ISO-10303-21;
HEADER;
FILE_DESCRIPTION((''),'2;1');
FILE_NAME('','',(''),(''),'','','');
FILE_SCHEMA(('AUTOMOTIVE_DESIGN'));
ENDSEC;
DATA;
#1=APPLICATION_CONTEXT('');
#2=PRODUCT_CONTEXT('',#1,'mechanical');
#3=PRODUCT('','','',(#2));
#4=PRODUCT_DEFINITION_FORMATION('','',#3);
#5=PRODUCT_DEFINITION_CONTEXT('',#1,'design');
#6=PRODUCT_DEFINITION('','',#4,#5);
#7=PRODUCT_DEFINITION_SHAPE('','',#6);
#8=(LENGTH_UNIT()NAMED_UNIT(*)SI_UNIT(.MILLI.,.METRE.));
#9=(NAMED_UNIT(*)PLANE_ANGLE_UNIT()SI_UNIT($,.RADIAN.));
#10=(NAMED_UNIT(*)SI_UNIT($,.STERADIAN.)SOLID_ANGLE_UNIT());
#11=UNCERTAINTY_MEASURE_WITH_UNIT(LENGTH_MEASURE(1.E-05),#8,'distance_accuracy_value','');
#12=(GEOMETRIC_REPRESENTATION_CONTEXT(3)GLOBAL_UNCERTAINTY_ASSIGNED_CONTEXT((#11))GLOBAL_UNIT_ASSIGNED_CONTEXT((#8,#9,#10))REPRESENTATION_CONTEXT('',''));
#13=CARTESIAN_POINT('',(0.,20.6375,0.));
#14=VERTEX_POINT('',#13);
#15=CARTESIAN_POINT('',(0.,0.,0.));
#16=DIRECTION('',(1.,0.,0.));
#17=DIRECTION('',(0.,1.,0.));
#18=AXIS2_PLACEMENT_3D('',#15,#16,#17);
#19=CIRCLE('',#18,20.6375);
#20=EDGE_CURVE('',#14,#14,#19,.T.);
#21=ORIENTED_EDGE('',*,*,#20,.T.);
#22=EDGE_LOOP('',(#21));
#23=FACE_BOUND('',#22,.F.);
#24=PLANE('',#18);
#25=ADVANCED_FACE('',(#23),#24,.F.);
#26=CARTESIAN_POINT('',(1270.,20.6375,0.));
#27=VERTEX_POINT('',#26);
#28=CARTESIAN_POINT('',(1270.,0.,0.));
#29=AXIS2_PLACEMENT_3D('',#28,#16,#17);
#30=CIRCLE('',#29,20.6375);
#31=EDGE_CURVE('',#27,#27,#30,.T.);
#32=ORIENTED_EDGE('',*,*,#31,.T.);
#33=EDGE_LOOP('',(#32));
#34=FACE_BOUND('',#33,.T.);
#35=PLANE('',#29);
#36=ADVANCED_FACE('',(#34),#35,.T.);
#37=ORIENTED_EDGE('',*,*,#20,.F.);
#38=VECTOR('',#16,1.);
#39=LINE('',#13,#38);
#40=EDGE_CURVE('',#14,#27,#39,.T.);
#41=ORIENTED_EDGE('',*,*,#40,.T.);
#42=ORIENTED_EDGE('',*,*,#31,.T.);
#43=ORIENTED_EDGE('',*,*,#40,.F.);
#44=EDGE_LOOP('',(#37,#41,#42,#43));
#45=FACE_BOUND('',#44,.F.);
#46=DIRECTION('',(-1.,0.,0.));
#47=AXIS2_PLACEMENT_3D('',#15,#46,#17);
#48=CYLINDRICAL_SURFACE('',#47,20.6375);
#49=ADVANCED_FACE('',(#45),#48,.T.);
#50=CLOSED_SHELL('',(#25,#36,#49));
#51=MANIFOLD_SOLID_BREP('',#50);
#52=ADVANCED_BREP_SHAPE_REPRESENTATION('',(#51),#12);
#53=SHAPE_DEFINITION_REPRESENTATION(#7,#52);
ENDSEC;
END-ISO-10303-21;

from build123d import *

# Parameters (mm, degrees)
F0_R     = 20.6375
F1_DEPTH = 1219.2
F3_R     = 20.6375
F4_DEPTH = 1270


with BuildPart() as f1:
    # F0 (on Front) → F1 (new body)
    with BuildSketch(Plane.XZ):
        Circle(F0_R)
    extrude(amount=F1_DEPTH)


with BuildPart() as f4:
    # F3 (on Right) → F4 (new body)
    with BuildSketch(Plane.YZ):
        Circle(F3_R)
    extrude(amount=F4_DEPTH)


solid = f4.part
